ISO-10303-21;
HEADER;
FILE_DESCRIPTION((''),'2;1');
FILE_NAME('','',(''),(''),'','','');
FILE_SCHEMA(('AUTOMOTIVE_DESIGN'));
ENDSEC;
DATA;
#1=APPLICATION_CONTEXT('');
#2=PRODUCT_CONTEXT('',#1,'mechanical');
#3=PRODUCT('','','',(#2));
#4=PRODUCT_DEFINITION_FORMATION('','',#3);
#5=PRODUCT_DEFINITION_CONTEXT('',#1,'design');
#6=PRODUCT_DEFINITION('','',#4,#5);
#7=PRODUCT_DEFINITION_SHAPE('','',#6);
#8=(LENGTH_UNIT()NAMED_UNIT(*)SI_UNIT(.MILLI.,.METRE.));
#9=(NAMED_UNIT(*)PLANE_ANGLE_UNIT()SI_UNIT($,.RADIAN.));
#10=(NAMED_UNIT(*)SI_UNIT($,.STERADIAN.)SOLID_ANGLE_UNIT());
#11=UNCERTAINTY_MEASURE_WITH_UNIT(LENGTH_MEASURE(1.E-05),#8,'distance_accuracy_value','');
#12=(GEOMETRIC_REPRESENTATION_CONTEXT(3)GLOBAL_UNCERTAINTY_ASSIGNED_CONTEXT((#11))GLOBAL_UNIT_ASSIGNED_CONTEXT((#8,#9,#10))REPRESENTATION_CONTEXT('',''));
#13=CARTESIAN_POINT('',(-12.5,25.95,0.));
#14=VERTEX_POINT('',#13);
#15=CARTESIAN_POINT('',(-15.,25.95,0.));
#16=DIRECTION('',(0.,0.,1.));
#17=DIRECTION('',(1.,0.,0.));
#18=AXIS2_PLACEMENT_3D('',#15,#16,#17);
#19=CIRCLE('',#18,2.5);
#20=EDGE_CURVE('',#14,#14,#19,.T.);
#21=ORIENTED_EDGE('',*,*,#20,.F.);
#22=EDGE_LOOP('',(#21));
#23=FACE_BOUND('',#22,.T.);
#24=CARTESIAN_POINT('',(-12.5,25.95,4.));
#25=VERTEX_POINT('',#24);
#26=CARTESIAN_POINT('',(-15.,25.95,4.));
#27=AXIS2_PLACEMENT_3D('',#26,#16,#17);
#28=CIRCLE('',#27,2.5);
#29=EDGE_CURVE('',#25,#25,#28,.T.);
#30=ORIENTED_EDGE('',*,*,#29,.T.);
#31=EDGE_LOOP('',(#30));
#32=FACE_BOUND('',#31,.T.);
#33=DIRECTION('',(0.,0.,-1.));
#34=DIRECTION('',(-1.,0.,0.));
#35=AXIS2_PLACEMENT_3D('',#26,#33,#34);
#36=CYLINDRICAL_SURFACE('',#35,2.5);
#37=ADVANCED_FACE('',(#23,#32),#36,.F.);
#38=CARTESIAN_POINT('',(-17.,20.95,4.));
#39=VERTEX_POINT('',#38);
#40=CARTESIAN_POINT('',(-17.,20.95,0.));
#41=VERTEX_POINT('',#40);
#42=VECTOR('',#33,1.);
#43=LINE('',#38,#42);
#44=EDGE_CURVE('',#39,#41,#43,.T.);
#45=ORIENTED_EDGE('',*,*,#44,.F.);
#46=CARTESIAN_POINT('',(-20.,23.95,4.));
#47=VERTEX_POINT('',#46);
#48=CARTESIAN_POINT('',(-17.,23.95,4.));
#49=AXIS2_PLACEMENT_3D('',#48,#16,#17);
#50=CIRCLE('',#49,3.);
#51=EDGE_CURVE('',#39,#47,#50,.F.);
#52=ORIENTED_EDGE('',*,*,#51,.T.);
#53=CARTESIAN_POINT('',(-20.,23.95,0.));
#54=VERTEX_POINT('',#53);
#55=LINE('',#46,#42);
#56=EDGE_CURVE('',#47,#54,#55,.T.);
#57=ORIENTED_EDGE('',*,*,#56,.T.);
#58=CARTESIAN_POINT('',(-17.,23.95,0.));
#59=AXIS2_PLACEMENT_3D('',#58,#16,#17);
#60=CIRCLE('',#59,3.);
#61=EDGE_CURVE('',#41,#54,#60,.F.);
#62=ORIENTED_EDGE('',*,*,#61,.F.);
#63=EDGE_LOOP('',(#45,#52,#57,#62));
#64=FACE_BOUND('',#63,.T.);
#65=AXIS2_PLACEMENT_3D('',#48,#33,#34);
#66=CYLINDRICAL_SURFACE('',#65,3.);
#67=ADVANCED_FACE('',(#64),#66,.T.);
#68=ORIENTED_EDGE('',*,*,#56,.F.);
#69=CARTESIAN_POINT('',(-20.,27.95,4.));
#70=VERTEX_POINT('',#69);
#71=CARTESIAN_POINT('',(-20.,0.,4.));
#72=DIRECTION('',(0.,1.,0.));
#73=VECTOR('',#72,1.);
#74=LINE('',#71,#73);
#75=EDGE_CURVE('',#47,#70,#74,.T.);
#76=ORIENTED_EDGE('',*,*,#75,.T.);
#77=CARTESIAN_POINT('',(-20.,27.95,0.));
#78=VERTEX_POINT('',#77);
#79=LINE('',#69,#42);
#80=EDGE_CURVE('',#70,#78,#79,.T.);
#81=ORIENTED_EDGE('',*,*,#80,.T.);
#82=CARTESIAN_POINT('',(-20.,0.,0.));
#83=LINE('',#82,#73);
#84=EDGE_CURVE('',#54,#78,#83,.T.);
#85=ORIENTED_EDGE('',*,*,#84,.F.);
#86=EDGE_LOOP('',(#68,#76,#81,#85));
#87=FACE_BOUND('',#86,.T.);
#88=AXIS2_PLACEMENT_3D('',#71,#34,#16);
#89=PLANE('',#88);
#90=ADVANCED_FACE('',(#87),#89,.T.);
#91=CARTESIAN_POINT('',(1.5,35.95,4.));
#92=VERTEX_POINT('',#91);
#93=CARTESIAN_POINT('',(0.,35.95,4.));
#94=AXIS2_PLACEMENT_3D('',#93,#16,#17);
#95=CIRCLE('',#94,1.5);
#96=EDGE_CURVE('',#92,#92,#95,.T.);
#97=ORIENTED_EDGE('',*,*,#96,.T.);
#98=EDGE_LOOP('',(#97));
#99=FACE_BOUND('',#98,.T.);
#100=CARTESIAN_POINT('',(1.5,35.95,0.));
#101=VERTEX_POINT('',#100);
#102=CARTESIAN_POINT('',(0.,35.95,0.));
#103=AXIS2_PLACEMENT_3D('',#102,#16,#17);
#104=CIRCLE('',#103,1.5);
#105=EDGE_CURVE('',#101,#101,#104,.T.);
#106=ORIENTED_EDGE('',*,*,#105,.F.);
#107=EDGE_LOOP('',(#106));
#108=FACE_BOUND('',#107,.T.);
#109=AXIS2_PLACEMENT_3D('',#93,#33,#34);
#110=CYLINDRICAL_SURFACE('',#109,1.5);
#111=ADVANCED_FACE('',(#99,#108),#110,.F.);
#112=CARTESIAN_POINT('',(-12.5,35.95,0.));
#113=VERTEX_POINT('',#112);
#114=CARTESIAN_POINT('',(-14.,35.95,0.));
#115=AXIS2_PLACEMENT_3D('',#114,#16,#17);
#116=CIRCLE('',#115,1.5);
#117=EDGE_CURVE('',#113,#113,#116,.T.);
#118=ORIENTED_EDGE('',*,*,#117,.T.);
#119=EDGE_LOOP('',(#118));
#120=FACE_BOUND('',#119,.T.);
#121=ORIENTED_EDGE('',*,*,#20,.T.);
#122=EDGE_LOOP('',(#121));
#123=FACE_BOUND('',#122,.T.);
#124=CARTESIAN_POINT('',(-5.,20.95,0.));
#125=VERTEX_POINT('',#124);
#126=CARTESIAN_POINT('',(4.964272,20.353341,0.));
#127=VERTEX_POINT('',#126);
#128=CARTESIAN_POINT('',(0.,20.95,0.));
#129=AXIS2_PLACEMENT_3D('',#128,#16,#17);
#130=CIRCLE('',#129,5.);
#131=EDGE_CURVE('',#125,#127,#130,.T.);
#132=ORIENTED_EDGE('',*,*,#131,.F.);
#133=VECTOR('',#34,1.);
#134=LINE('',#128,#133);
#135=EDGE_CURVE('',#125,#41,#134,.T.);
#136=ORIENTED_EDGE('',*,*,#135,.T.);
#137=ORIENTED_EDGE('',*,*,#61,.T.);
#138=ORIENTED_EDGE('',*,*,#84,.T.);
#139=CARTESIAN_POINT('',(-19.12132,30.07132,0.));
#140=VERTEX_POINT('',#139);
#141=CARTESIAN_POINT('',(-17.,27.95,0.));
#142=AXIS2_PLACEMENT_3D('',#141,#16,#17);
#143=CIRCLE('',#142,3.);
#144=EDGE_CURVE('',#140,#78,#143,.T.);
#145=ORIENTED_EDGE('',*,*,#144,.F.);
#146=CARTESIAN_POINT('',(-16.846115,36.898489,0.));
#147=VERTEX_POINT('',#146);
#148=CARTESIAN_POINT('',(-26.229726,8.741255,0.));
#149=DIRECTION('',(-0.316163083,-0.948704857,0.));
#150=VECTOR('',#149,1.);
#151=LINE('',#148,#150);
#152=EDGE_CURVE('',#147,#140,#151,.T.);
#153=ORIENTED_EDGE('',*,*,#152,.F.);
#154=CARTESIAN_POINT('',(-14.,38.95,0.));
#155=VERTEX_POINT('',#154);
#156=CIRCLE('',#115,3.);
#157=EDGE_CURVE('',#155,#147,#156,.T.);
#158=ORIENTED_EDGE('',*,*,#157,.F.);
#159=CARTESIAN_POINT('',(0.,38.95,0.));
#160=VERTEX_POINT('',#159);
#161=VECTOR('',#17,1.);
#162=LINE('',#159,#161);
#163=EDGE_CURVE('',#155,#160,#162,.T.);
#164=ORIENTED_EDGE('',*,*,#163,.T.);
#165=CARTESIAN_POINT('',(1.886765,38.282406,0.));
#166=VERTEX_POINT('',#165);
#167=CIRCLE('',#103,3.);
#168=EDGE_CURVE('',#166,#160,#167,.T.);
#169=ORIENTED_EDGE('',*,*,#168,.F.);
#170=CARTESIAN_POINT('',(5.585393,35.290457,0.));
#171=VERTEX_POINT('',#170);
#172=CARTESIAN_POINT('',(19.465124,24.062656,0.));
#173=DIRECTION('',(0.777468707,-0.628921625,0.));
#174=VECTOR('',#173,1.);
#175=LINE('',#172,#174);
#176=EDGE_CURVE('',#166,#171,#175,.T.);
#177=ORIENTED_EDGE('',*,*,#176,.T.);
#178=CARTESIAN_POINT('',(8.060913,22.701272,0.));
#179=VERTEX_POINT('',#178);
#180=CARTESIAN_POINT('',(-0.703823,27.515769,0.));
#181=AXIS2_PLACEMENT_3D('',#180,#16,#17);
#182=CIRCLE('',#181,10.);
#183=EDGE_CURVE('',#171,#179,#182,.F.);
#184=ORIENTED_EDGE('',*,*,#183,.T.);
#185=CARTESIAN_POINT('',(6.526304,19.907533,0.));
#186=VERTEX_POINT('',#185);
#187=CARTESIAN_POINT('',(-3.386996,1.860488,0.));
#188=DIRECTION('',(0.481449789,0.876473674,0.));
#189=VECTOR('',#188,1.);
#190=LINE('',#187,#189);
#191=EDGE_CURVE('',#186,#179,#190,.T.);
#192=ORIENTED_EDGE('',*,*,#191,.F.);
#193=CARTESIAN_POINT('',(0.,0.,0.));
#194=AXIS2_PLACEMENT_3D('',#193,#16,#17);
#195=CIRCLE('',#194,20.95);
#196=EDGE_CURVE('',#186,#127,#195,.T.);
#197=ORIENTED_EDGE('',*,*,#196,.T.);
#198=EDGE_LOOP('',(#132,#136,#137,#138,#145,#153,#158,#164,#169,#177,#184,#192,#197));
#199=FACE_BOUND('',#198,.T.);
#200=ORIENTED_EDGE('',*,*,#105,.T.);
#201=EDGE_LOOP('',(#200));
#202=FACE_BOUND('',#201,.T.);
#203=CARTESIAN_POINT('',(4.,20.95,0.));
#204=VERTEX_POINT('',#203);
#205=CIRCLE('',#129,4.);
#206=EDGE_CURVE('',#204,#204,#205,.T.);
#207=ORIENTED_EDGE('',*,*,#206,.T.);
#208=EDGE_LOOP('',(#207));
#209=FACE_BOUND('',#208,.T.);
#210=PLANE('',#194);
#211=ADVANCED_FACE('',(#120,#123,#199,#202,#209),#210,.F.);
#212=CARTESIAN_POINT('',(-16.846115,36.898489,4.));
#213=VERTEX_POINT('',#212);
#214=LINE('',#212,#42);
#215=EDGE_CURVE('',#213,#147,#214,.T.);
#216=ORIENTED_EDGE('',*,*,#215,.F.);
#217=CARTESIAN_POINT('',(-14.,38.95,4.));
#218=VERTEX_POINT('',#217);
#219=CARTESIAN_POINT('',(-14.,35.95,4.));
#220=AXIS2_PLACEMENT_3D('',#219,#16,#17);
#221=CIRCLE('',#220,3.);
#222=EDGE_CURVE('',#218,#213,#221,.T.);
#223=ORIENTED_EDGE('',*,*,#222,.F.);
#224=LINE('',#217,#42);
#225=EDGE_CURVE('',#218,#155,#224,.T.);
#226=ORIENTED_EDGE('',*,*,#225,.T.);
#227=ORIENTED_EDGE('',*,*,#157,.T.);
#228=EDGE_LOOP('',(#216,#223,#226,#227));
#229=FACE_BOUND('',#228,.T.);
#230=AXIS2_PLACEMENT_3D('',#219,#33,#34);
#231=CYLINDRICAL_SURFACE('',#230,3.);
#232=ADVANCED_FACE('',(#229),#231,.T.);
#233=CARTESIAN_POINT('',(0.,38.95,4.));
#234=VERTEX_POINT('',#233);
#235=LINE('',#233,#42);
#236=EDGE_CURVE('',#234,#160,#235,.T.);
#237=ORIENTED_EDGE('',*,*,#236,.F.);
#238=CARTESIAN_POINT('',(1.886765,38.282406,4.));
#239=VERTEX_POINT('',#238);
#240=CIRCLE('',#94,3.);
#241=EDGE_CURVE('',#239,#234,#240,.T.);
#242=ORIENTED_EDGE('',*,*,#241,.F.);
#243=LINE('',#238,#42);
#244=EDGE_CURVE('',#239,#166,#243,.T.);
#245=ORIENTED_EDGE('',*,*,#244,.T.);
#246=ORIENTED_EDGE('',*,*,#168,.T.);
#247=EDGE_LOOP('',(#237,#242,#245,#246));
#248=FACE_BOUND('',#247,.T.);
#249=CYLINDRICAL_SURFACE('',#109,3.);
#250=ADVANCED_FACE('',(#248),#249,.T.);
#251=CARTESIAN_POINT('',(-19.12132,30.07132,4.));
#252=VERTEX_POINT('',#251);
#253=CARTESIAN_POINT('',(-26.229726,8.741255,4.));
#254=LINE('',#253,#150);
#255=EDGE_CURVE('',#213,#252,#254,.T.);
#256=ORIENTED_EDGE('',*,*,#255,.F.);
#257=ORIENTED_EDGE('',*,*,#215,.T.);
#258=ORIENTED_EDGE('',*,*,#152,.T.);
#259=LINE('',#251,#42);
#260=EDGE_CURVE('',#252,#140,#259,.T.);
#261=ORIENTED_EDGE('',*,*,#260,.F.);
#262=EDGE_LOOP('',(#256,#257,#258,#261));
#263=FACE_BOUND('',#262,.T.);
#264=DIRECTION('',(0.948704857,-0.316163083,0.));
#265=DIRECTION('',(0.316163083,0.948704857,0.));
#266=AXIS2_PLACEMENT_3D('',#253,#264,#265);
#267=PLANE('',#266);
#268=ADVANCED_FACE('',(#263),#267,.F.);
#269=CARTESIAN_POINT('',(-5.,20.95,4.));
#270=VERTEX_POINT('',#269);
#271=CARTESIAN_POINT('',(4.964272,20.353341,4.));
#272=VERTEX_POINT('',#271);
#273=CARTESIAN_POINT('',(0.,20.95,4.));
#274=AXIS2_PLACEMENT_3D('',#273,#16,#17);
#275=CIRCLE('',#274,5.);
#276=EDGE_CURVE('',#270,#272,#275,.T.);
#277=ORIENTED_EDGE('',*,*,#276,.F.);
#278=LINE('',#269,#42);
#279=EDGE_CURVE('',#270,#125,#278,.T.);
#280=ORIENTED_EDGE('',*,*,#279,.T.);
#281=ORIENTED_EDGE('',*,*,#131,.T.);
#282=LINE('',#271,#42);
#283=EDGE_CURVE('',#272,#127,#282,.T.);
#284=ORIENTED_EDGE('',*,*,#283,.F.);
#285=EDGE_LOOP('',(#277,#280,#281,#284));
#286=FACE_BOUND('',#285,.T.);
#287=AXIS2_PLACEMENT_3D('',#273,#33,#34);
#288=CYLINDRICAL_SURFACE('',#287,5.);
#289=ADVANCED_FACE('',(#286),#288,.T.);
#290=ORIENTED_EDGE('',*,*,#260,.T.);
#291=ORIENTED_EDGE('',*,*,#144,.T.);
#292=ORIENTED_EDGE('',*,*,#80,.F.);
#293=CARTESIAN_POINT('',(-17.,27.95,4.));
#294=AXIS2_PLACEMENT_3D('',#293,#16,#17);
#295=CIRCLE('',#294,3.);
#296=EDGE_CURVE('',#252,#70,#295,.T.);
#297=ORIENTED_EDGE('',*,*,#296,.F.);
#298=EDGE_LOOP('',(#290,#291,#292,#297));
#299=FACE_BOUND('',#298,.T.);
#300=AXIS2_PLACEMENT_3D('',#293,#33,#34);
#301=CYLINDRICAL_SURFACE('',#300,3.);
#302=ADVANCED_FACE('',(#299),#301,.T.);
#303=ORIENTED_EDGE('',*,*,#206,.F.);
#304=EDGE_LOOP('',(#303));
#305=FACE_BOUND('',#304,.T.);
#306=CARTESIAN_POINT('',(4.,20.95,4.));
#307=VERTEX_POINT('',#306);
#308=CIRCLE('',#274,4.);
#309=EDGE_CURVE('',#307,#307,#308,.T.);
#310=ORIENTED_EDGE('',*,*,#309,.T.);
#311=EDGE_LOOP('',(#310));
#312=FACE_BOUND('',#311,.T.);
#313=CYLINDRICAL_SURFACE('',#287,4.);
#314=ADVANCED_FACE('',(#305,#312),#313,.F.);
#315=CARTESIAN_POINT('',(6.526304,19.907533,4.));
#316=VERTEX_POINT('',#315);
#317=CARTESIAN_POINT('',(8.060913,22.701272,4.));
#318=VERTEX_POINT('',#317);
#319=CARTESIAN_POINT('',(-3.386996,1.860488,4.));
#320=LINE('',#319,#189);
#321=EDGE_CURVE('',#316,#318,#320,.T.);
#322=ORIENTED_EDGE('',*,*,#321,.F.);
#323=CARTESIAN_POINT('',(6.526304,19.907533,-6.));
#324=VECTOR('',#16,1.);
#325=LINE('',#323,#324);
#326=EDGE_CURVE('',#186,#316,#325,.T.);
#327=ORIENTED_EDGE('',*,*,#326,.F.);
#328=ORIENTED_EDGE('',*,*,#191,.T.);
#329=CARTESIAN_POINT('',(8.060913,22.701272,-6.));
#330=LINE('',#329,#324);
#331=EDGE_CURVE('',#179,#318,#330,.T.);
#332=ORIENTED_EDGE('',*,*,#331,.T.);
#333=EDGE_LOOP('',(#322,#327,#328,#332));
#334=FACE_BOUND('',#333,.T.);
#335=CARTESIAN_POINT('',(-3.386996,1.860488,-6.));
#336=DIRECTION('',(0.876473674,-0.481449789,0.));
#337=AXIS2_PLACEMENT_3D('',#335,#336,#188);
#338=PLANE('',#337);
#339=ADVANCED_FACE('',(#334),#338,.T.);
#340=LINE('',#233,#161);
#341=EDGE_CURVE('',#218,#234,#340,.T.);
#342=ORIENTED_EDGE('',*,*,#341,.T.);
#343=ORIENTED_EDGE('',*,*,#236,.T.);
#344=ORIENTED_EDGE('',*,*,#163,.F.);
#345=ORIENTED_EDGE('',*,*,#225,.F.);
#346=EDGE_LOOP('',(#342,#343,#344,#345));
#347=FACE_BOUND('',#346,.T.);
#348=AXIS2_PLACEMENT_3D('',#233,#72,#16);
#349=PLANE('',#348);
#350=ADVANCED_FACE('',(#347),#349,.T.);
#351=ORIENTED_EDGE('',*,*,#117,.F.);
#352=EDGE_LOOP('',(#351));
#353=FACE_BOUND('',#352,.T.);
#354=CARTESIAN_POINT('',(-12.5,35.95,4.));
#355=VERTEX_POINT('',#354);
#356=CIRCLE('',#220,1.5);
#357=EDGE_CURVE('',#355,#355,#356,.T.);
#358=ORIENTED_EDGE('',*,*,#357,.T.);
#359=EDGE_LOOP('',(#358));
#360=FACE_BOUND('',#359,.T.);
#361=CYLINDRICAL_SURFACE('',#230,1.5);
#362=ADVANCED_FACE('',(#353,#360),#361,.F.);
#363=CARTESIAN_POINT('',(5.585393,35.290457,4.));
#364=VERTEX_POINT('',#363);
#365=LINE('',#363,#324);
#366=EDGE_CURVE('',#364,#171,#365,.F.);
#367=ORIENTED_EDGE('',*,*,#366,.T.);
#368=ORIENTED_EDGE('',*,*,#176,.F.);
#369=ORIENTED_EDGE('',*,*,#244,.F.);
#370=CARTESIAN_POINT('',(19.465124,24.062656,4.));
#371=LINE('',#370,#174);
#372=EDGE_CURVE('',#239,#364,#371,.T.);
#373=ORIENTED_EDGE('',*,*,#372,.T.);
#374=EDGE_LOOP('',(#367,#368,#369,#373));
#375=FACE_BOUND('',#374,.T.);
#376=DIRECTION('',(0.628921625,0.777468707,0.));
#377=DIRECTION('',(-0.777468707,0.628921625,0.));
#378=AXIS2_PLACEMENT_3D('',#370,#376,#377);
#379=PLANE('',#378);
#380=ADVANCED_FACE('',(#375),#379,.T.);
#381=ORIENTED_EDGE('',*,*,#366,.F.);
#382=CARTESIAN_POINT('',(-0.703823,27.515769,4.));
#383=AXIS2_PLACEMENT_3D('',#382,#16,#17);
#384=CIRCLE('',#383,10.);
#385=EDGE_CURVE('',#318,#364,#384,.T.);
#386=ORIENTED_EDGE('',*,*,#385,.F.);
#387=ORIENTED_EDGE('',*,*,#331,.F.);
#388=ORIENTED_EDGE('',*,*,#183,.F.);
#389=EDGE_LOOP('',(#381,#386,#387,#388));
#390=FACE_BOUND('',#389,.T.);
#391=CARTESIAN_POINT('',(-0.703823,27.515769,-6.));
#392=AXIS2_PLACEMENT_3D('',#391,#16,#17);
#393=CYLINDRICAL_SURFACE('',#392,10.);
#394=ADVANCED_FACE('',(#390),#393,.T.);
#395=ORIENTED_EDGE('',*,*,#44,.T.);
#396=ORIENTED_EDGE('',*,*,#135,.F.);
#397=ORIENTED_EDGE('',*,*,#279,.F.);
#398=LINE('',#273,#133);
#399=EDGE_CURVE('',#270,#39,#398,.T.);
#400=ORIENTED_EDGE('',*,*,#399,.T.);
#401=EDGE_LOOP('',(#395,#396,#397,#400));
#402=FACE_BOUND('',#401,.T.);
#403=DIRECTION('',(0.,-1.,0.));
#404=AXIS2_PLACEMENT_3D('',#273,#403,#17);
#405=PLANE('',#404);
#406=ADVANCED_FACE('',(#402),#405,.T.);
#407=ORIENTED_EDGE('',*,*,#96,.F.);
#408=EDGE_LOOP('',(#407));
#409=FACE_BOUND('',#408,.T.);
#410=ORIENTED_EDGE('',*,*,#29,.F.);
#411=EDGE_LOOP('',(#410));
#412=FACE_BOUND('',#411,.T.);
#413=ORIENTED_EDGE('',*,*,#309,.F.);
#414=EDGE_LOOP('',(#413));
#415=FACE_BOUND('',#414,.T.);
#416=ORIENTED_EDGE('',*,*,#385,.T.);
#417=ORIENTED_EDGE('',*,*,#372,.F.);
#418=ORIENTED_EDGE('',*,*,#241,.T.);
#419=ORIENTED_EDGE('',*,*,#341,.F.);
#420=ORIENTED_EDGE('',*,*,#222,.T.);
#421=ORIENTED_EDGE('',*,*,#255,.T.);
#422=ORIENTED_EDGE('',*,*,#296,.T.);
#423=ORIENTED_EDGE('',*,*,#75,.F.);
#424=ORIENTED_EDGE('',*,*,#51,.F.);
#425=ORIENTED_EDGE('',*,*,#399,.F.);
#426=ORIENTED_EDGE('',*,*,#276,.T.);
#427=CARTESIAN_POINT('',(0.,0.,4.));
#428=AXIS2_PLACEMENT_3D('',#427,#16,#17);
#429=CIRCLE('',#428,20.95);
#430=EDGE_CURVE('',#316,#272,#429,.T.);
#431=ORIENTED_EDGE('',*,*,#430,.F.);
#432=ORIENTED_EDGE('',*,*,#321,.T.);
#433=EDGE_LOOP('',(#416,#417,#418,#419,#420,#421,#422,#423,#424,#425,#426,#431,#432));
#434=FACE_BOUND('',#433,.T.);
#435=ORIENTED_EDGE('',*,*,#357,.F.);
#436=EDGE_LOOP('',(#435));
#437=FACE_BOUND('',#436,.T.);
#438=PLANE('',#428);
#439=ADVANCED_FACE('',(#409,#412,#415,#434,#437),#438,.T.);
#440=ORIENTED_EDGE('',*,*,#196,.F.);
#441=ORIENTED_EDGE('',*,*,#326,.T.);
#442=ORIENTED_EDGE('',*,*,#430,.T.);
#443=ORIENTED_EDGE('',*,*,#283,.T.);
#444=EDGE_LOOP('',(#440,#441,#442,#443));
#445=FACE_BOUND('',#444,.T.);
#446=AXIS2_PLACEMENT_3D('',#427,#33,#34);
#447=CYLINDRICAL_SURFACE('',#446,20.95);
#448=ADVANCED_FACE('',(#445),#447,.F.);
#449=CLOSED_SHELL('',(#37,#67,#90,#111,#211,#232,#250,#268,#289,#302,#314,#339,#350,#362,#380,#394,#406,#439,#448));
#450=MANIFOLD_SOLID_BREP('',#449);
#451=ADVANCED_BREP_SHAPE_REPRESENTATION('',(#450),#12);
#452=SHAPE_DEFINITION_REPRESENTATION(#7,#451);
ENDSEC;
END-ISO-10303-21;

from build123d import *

# Parameters (mm, degrees)
CROQUIS1_R              = 4
CROQUIS1_R_2            = 2.5
CROQUIS1_R_3            = 1.5
SALIENTE_EXTRUIR1_DEPTH = 4
CORTAR_EXTRUIR1_DEPTH   = 10
REDONDEO1_R             = 10


with BuildPart() as part:
    # Croquis1 → Saliente-Extruir1 (new body)
    with BuildSketch(Plane.XY):
        with BuildLine():
            ThreePointArc((13.175908043, 16.287969402), (20.207859701, 17.03070481), (19.465124293, 24.062656467))
            Line((19.465124293, 24.062656467), (1.886764875, 38.28240612))
            ThreePointArc((1.886764875, 38.28240612), (1.000695169, 38.778181249), (0, 38.95))
            Line((0, 38.95), (-14, 38.95))
            ThreePointArc((-14, 38.95), (-15.75421382, 38.383666755), (-16.84611457, 36.898489248))
            Line((-16.84611457, 36.898489248), (-19.121320344, 30.071320344))
            ThreePointArc((-19.121320344, 30.071320344), (-19.771638598, 29.098050297), (-20, 27.95))
            Line((-20, 27.95), (-20, 23.95))
            ThreePointArc((-20, 23.95), (-19.121320344, 21.828679656), (-17, 20.95))
            Line((-17, 20.95), (-5, 20.95))
            ThreePointArc((-5, 20.95), (-0.298863721, 15.958939945), (4.964272191, 20.353341289))
            ThreePointArc((4.964272191, 20.353341289), (9.295071106, 18.775093958), (13.175908043, 16.287969402))
        make_face()
        with Locations((0, 20.95)):
            Circle(CROQUIS1_R, mode=Mode.SUBTRACT)
        with Locations((-15, 25.95)):
            Circle(CROQUIS1_R_2, mode=Mode.SUBTRACT)
        with Locations((0, 35.95)):
            Circle(CROQUIS1_R_3, mode=Mode.SUBTRACT)
        with Locations((-14, 35.95)):
            Circle(CROQUIS1_R_3, mode=Mode.SUBTRACT)
    extrude(amount=SALIENTE_EXTRUIR1_DEPTH)

    # Croquis2 → Cortar-Extruir1 (cut)
    with BuildSketch(Plane.XY.offset(4)):
        with BuildLine():
            Line((12.087138576, 30.030967124), (6.52630373, 19.907532736))
            ThreePointArc((6.52630373, 19.907532736), (10.015967096, 18.400622357), (13.175908043, 16.287969402))
            ThreePointArc((13.175908043, 16.287969402), (20.207859701, 17.03070481), (19.465124293, 24.062656467))
            Line((19.465124293, 24.062656467), (12.087138576, 30.030967124))
        make_face()
    extrude(amount=-CORTAR_EXTRUIR1_DEPTH, mode=Mode.SUBTRACT)

    # Redondeo1
    redondeo1_edges = [part.edges().sort_by_distance(p)[0] for p in [
        (12.087138576, 30.030967124, 2),
    ]]
    fillet(redondeo1_edges, radius=REDONDEO1_R)


solid = part.part
